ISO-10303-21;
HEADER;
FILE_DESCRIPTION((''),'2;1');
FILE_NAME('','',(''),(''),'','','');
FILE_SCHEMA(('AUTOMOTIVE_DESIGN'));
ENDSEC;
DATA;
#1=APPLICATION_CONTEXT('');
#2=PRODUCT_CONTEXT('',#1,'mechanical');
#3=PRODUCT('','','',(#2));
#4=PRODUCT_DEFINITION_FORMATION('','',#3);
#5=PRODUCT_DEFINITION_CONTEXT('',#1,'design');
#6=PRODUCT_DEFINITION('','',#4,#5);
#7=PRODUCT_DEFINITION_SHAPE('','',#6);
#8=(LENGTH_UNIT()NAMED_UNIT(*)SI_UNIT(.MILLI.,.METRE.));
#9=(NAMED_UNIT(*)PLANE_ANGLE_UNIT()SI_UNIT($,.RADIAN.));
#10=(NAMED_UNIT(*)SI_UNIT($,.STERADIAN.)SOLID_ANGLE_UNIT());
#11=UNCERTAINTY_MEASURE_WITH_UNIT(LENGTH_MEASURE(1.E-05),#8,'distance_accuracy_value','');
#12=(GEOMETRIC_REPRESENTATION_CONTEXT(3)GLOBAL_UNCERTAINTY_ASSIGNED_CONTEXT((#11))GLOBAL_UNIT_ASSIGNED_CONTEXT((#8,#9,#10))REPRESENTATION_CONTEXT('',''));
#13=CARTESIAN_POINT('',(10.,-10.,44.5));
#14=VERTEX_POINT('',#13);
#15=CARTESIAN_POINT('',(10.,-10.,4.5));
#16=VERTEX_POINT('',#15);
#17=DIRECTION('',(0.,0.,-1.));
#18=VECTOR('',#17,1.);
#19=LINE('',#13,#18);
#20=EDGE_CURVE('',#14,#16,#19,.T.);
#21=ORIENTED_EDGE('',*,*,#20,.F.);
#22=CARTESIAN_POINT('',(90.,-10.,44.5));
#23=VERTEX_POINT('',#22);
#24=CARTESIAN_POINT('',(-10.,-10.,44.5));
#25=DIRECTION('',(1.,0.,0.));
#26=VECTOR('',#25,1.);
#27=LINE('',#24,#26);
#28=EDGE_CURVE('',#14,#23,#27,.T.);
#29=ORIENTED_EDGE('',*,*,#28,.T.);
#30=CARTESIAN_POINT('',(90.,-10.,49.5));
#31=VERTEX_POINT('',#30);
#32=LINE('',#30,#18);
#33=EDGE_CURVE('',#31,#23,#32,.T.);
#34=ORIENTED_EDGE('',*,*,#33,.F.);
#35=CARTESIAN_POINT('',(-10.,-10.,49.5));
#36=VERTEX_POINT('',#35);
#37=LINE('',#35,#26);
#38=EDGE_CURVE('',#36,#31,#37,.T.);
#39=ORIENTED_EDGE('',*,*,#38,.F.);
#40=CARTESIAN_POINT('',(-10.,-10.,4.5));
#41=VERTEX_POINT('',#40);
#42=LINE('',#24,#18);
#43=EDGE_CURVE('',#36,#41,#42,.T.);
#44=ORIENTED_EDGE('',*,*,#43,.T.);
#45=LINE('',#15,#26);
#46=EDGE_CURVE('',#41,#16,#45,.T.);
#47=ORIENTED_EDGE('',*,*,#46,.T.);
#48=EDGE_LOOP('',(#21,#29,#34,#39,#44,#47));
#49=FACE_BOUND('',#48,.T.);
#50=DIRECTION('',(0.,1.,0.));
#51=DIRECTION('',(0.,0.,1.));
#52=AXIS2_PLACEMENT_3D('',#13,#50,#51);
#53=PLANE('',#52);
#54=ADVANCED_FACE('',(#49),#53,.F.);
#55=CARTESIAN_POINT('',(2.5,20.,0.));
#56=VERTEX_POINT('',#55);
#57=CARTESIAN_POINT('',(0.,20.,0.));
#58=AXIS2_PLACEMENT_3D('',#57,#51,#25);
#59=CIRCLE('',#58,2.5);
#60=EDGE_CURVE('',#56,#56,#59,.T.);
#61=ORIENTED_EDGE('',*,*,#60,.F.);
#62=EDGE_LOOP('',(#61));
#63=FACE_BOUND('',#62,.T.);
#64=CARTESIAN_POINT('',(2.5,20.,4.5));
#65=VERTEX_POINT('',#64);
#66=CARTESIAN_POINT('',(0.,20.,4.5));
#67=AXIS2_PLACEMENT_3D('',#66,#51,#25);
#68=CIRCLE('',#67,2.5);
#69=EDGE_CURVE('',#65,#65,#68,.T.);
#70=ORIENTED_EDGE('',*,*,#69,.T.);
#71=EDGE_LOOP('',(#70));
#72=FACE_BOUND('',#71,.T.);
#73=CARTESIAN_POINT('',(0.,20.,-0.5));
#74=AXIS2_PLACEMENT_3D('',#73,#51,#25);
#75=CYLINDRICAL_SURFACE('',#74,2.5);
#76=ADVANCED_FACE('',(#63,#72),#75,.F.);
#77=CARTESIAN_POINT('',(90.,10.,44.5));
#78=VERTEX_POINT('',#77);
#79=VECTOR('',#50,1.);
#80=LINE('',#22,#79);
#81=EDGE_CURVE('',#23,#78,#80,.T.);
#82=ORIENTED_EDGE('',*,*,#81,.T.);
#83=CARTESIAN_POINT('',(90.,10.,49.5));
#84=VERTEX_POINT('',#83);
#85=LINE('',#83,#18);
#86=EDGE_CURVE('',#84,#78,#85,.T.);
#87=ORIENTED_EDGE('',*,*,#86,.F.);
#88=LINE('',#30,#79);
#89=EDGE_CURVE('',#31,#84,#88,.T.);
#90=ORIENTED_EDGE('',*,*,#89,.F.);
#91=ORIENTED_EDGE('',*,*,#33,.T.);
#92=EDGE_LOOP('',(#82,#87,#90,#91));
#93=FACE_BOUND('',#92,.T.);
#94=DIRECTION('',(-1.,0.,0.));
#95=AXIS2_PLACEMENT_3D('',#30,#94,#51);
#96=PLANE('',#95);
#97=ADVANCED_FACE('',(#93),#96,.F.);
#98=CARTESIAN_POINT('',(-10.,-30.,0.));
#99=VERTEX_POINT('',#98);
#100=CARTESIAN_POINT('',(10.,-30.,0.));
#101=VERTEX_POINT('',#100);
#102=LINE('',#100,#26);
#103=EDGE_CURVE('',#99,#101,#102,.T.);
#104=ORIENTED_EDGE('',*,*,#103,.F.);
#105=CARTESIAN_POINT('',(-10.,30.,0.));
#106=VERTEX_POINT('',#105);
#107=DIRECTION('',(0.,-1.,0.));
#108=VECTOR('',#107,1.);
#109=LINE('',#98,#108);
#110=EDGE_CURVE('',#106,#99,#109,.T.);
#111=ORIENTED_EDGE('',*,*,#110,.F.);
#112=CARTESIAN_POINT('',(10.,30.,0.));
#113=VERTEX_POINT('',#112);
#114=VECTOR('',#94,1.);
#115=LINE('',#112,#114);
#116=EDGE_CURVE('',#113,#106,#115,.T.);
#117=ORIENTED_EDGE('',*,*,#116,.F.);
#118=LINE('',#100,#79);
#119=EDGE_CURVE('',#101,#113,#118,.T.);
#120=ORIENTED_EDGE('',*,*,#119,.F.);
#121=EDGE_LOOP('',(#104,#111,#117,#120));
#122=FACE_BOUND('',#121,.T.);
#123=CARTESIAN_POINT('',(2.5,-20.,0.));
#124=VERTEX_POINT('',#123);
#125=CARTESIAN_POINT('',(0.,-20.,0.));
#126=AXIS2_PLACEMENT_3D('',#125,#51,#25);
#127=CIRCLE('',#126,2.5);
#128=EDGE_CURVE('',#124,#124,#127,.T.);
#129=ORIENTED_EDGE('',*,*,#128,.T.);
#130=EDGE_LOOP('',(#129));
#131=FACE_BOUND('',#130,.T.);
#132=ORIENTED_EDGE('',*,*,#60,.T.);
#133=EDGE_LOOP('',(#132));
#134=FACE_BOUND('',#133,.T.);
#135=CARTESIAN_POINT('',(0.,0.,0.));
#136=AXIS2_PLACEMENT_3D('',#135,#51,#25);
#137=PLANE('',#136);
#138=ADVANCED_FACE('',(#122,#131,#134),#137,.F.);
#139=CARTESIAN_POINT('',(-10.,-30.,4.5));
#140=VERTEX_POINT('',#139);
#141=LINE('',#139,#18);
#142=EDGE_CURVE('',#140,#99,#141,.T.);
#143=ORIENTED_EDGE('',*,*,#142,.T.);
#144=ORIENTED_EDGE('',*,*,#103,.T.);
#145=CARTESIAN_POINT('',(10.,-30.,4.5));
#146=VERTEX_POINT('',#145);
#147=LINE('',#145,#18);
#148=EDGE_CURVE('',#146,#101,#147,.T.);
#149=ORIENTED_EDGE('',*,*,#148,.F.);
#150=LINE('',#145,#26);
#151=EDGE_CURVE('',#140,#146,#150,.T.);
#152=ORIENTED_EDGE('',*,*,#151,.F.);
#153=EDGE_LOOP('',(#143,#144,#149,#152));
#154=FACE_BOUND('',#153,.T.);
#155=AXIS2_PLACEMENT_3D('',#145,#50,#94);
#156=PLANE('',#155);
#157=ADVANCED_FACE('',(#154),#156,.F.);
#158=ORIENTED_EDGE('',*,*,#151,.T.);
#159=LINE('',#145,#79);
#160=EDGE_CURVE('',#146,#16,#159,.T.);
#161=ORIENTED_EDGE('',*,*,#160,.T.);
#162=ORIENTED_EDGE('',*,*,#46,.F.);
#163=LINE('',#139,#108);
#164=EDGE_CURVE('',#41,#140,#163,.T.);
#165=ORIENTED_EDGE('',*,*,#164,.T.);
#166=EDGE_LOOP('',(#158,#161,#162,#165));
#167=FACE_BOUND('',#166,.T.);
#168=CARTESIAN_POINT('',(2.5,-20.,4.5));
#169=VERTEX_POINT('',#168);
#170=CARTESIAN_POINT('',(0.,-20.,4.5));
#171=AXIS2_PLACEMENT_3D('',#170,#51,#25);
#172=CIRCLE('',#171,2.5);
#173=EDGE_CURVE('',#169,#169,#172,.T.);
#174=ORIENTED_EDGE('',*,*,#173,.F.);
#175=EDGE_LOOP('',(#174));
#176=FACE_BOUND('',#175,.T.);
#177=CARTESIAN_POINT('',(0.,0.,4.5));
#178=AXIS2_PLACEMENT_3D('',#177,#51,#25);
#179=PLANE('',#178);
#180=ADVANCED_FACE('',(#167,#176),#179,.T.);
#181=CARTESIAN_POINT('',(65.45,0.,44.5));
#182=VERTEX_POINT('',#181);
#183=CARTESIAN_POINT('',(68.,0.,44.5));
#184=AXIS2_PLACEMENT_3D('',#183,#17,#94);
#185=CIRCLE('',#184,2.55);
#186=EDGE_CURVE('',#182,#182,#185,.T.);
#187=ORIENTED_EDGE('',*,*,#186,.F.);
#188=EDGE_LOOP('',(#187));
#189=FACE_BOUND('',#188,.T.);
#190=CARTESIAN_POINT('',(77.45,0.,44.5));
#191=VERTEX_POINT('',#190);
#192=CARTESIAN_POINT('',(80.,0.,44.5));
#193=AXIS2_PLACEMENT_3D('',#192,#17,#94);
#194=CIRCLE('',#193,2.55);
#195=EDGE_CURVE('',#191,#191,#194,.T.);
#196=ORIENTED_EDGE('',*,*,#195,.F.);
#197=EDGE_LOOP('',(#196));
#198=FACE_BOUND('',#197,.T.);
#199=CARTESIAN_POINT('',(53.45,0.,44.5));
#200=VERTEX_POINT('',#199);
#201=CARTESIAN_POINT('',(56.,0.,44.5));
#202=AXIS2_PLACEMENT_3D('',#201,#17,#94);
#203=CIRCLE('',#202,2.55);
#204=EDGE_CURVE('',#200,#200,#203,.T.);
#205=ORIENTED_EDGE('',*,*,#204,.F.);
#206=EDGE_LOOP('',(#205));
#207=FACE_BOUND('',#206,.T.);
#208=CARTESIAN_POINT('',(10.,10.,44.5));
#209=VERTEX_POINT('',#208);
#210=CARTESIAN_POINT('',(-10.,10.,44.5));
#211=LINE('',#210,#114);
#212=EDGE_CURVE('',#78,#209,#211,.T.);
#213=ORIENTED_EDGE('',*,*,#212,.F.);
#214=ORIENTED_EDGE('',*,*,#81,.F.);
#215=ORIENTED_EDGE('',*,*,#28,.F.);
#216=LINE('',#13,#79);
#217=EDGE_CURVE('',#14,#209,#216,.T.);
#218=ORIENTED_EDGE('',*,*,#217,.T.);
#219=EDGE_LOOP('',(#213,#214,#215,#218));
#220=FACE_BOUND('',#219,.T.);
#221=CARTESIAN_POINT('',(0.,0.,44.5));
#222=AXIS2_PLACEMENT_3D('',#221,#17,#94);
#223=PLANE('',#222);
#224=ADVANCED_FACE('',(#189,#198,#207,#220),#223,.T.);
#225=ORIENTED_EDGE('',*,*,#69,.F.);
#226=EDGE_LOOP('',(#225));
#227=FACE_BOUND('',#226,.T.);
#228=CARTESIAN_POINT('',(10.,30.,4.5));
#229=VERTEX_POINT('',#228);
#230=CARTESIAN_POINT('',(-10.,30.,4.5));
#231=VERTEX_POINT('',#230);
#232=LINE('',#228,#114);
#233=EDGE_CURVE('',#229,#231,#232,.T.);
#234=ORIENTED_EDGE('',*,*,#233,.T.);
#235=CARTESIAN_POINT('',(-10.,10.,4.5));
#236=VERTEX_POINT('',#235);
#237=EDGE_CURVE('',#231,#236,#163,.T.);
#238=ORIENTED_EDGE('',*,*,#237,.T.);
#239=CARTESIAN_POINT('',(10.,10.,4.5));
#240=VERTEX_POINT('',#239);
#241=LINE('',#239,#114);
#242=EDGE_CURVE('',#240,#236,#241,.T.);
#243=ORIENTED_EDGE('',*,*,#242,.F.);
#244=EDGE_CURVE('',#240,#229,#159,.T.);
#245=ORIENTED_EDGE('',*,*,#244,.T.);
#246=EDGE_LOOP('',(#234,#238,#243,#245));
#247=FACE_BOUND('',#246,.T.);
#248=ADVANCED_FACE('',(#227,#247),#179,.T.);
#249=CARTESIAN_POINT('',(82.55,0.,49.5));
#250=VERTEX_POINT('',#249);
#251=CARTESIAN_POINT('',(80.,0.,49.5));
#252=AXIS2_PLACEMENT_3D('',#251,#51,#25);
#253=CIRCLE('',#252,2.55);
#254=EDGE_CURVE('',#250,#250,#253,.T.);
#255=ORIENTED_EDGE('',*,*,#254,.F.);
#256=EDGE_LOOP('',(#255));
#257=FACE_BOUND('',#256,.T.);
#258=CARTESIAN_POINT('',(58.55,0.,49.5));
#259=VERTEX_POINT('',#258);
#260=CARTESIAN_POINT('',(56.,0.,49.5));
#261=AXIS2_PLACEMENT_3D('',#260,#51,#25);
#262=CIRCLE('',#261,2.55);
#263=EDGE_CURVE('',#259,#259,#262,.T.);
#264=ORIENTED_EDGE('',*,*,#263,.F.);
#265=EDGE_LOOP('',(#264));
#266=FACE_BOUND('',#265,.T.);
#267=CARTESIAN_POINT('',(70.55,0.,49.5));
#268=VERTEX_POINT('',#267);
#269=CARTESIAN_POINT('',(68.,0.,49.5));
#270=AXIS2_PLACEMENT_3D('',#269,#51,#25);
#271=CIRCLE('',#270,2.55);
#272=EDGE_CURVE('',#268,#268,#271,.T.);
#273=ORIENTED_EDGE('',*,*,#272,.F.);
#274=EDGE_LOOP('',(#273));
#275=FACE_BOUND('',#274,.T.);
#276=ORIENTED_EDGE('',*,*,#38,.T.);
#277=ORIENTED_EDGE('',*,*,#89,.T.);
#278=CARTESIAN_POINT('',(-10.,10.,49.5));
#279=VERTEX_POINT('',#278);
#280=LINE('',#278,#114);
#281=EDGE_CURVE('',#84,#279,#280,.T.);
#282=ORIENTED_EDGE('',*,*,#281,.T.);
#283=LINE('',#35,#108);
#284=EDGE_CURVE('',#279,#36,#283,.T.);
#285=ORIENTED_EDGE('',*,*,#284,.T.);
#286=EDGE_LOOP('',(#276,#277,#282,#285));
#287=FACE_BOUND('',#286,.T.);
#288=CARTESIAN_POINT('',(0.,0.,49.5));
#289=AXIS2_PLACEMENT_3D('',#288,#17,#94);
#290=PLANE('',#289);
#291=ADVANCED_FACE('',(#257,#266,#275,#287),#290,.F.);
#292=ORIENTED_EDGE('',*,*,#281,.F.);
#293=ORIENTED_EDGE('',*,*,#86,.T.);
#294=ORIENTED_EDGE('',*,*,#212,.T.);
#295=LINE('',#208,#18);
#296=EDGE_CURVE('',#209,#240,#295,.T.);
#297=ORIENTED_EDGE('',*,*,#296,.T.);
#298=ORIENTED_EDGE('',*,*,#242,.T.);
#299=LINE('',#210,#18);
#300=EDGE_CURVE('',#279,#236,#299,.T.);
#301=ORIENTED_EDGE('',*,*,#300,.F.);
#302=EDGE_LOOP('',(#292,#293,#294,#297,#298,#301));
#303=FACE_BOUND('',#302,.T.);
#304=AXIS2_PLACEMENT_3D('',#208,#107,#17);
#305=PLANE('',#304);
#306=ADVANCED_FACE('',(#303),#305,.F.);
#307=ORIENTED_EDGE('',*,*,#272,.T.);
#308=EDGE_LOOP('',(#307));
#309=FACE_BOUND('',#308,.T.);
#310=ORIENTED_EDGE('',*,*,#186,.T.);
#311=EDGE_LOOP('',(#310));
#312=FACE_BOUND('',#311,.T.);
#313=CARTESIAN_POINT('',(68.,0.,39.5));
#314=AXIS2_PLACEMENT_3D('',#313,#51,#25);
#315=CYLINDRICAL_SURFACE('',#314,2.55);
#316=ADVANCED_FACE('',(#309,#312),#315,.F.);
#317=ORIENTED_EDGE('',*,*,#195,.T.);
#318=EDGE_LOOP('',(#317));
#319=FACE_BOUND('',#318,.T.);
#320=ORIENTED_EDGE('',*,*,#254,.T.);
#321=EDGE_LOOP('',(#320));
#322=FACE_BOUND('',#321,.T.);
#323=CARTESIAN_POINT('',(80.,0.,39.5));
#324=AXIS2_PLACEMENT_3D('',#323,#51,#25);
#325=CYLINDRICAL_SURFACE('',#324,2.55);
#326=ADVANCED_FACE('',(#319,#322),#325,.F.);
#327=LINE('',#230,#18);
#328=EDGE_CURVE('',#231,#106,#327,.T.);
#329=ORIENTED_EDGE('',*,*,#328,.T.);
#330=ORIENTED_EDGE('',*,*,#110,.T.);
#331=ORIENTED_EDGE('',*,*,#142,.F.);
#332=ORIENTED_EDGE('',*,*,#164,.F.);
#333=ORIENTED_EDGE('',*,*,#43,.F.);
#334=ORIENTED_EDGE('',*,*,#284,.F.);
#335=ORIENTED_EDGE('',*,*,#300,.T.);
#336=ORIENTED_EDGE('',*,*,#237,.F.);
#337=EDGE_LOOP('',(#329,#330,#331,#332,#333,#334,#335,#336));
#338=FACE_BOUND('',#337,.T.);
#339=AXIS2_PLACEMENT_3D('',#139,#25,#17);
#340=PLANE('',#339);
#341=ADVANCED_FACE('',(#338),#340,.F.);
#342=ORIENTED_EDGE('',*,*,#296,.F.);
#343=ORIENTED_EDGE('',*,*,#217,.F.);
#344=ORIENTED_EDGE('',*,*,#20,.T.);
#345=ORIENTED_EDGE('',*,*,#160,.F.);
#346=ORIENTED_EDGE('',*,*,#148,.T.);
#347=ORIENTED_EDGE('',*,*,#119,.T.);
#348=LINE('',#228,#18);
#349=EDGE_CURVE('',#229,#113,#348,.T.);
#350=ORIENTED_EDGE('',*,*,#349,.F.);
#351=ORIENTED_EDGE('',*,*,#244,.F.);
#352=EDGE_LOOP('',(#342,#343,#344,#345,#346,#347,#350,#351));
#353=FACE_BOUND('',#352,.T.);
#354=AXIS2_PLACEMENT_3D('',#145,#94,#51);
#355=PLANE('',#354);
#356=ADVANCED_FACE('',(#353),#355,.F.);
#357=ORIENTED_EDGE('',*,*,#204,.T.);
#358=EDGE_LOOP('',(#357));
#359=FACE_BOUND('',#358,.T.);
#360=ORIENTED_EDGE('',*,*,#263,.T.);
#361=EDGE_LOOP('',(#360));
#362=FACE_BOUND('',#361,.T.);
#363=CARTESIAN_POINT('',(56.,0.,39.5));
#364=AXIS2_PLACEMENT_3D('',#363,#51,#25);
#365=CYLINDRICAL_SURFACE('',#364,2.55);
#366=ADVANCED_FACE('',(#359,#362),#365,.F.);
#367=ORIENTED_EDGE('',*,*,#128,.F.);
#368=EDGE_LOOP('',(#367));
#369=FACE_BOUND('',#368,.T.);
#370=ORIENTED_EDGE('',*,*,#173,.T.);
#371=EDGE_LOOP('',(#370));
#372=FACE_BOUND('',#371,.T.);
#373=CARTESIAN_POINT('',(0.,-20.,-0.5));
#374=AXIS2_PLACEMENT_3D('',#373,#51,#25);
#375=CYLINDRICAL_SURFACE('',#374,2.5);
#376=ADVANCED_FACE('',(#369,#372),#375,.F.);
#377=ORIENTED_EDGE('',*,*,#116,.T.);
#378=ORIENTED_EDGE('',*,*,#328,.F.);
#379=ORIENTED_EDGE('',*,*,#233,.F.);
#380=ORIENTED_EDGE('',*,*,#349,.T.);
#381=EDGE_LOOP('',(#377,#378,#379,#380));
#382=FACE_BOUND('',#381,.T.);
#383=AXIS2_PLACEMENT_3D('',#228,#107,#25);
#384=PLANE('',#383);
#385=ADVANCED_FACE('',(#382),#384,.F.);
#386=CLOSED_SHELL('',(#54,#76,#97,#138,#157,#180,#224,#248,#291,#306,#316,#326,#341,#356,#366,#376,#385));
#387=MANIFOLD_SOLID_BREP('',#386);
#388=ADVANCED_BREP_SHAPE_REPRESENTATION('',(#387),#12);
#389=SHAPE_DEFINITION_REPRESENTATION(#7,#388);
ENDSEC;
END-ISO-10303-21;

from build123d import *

# Parameters (mm, degrees)
SKETCH_1_W          = 20
SKETCH_1_H          = 60
EXTRUDE_1_DEPTH     = 4.5
SKETCH_2_W          = 20
SKETCH_2_H          = 20
EXTRUDE_2_DEPTH     = 40
SKETCH_3_W          = 100
SKETCH_3_H          = 20
EXTRUDE_3_DEPTH     = 5
SKETCH_5_R          = 2.5
CUT_EXTRUDE_2_DEPTH = 5
SKETCH_6_R          = 2.55
CUT_EXTRUDE_3_DEPTH = 10


with BuildPart() as part:
    # 草图1 → 凸台-拉伸1 (new body)
    with BuildSketch(Plane.XY):
        Rectangle(SKETCH_1_W, SKETCH_1_H)
    extrude(amount=EXTRUDE_1_DEPTH)

    # 草图2 → 凸台-拉伸2 (add)
    with BuildSketch(Plane.XY.offset(4.5)):
        Rectangle(SKETCH_2_W, SKETCH_2_H)
    extrude(amount=EXTRUDE_2_DEPTH)

    # 草图3 → 凸台-拉伸3 (add)
    with BuildSketch(Plane.XY.offset(44.5)):
        with Locations((40, 0)):
            Rectangle(SKETCH_3_W, SKETCH_3_H)
    extrude(amount=EXTRUDE_3_DEPTH)

    # 草图5 → 切除-拉伸2 (cut)
    with BuildSketch(Plane.XY.offset(4.5)):
        with Locations((0, 20)):
            Circle(SKETCH_5_R)
        with Locations((0, -20)):
            Circle(SKETCH_5_R)
    extrude(amount=-CUT_EXTRUDE_2_DEPTH, mode=Mode.SUBTRACT)

    # 草图6 → 切除-拉伸3 (cut)
    with BuildSketch(Plane.XY.offset(49.5)):
        with Locations((80, 0)):
            Circle(SKETCH_6_R)
        with Locations((68, 0)):
            Circle(SKETCH_6_R)
        with Locations((56, 0)):
            Circle(SKETCH_6_R)
    extrude(amount=-CUT_EXTRUDE_3_DEPTH, mode=Mode.SUBTRACT)


solid = part.part
